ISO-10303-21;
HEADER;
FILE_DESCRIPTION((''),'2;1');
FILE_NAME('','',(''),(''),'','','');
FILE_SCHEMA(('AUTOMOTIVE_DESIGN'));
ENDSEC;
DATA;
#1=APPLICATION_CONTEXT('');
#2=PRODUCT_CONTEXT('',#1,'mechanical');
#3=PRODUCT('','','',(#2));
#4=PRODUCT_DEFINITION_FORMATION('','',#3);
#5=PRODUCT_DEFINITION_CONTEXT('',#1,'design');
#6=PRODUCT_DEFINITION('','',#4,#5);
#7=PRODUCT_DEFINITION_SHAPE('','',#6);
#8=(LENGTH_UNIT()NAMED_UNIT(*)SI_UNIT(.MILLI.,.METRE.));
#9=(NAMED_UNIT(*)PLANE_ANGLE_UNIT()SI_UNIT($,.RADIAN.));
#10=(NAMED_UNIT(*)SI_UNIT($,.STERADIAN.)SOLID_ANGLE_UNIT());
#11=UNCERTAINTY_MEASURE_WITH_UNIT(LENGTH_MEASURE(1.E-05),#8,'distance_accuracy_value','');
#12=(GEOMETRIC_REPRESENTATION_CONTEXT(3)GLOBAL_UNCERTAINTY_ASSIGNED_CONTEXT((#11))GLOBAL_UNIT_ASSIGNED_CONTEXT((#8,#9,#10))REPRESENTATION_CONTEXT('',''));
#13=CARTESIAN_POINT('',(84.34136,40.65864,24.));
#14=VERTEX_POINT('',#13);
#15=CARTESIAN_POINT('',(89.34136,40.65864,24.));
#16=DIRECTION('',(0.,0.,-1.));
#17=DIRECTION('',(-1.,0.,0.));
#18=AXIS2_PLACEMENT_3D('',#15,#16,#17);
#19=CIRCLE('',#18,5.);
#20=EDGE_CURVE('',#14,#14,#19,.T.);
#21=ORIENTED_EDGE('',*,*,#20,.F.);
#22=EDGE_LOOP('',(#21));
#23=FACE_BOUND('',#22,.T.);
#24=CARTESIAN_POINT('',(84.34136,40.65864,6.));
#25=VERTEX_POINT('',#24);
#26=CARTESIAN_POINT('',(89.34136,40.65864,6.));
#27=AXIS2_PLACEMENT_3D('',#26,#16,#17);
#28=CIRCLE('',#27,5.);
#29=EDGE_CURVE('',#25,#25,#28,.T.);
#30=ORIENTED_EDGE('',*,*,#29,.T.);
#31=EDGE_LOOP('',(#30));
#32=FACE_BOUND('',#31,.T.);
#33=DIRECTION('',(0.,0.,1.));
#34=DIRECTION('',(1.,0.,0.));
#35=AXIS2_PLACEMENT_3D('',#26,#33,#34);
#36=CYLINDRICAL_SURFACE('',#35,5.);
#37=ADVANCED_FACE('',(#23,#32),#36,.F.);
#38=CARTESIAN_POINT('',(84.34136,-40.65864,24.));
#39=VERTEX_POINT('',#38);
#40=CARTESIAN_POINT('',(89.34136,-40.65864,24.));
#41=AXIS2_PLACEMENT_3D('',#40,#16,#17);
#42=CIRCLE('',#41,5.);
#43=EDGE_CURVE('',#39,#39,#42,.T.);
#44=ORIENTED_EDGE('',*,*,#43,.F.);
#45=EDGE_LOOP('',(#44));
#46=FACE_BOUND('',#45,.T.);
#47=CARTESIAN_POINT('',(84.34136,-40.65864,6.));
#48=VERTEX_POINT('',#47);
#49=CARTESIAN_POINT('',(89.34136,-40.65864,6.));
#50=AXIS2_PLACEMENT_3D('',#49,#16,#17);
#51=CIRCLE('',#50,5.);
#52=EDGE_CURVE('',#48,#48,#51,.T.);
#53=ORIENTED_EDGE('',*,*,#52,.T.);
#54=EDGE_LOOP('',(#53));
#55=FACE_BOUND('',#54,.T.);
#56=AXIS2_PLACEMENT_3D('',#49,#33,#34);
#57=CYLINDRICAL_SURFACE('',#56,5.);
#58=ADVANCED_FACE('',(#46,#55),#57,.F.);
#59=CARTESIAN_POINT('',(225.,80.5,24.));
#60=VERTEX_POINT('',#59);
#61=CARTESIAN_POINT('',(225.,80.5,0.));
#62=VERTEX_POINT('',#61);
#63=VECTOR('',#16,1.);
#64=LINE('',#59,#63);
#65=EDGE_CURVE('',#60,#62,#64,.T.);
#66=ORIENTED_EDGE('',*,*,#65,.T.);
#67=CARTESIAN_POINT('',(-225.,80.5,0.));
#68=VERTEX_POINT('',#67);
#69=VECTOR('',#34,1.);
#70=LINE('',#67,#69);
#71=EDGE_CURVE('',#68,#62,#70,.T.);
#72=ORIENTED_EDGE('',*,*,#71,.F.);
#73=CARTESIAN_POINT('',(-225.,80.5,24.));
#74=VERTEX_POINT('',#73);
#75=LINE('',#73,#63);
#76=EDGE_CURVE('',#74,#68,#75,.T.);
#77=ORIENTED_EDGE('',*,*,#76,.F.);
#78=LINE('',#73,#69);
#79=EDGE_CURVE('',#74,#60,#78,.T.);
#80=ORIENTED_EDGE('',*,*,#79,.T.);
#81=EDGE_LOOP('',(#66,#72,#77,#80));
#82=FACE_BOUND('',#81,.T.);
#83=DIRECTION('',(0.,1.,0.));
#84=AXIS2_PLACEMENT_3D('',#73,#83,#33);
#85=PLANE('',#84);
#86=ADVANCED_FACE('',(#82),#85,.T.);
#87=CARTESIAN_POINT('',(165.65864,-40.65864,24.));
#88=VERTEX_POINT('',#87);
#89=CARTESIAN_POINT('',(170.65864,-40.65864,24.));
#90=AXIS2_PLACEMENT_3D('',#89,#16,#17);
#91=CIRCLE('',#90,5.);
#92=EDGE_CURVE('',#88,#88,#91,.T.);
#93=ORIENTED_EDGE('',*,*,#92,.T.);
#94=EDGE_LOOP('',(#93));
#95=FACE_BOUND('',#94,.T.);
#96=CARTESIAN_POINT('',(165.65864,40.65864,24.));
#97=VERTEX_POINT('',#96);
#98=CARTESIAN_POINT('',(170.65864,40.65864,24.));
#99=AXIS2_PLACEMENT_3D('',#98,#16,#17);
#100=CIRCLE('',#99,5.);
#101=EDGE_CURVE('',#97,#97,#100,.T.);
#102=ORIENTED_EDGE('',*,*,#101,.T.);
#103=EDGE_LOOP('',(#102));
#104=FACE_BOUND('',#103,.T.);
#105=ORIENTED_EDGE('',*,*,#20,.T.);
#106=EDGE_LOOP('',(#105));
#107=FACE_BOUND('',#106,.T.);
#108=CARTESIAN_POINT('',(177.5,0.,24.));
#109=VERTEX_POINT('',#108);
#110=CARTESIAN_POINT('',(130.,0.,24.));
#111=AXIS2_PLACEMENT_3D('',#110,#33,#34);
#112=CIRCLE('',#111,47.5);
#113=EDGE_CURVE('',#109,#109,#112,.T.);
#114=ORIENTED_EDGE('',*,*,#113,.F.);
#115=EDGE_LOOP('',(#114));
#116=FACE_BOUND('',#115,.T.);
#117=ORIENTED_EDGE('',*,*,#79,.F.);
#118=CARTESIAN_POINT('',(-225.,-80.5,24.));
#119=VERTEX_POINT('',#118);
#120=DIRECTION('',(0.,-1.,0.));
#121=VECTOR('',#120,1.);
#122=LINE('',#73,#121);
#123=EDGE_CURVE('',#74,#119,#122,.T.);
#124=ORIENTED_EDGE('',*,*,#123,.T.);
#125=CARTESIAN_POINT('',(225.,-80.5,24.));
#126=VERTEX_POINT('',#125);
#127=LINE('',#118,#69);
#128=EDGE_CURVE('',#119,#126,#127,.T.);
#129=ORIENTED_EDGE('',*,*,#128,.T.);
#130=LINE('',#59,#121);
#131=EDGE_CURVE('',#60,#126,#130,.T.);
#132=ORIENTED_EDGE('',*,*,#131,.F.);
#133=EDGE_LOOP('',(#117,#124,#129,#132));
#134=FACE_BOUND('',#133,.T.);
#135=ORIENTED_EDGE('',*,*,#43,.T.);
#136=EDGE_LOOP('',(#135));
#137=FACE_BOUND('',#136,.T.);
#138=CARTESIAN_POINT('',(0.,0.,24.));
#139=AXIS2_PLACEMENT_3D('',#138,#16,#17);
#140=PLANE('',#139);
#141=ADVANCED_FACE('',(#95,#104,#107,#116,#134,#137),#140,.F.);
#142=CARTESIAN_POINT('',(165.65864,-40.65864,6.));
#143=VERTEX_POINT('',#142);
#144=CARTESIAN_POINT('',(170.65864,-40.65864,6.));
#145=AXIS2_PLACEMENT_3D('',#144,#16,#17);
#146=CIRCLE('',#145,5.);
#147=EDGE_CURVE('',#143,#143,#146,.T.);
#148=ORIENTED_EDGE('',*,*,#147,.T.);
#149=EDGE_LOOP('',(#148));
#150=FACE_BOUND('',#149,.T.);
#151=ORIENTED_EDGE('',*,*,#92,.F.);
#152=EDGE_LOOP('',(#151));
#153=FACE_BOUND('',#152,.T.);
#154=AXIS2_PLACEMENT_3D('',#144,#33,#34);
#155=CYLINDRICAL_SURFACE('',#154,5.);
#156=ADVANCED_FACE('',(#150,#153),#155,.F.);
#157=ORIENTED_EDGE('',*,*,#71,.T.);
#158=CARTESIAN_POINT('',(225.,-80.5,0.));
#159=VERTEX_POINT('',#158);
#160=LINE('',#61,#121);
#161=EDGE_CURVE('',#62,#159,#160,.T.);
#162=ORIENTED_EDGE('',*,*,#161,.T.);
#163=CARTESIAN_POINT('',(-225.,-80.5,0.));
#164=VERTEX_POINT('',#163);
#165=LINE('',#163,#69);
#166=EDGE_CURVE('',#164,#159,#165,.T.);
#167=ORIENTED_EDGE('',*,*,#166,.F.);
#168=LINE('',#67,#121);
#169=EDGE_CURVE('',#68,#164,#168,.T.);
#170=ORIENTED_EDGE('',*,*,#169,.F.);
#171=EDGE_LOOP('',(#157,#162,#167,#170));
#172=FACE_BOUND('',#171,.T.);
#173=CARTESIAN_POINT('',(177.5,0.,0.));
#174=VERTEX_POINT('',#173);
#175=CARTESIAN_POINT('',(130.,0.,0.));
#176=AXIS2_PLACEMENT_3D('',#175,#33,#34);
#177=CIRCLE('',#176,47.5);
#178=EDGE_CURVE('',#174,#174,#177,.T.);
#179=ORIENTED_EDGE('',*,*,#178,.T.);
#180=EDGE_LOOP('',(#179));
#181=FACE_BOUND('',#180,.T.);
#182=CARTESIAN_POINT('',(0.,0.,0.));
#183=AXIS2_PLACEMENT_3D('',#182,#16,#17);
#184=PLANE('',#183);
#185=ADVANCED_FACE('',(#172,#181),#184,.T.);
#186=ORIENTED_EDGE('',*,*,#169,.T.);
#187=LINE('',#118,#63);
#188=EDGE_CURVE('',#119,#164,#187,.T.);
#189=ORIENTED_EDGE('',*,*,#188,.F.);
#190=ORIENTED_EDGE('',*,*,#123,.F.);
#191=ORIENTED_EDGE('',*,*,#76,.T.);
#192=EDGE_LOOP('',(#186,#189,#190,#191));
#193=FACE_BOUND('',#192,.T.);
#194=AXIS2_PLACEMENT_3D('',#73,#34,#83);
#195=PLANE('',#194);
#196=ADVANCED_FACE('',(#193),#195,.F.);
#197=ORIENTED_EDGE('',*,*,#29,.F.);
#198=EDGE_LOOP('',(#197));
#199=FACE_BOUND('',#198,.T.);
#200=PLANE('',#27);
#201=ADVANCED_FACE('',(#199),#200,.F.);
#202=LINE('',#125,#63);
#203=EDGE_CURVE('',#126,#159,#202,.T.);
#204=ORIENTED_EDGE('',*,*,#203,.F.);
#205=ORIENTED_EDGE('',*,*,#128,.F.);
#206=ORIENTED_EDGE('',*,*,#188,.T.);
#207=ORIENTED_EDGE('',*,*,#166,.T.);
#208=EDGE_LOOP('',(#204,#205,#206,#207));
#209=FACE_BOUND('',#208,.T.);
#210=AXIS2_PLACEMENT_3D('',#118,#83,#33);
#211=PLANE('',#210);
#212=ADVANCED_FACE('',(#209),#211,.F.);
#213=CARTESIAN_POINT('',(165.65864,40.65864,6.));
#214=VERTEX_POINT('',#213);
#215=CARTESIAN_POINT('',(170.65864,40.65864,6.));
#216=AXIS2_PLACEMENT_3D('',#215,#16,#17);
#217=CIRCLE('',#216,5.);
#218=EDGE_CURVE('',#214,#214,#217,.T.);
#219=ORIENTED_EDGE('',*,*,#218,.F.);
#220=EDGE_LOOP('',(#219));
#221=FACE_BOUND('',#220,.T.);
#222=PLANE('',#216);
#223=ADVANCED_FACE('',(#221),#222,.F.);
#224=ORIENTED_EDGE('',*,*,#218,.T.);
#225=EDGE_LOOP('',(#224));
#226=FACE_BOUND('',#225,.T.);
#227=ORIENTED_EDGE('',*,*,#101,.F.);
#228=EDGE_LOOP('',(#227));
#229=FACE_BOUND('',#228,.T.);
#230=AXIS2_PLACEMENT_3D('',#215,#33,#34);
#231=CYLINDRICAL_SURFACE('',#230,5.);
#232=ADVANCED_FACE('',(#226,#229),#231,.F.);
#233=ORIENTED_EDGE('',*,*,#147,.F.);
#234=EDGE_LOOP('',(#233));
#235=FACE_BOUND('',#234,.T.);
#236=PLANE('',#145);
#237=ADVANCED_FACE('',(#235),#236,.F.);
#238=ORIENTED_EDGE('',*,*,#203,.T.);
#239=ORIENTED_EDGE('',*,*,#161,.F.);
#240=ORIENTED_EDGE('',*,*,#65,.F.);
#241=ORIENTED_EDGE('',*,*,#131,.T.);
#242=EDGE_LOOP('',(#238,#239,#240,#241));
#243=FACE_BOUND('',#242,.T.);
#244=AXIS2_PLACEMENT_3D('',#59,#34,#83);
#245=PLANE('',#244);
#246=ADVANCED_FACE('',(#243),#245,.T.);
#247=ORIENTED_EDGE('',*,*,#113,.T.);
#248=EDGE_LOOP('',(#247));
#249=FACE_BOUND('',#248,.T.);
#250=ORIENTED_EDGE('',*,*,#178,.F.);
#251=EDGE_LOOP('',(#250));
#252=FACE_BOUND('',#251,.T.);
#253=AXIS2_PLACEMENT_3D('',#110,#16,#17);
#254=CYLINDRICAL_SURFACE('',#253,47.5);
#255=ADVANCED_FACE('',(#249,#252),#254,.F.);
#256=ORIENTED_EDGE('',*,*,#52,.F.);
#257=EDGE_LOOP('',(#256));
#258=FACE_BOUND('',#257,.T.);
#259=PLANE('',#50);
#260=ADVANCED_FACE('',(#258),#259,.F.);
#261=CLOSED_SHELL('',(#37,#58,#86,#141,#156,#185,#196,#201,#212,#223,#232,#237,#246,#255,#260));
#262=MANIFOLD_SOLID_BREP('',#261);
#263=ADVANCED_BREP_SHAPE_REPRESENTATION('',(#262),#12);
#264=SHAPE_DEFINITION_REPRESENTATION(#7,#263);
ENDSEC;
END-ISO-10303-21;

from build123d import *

# Parameters (mm, degrees)
SKETCH_1_W          = 450
SKETCH_1_H          = 161
SKETCH_1_R          = 47.5
EXTRUDE_1_DEPTH     = 24
CUT_EXTRUDE_START   = 24
SKETCH_1_3_R        = 5
CUT_EXTRUDE_1_DEPTH = 18


with BuildPart() as part:
    # 草图1 → 凸台-拉伸1 (new body)
    with BuildSketch(Plane.XY):
        Rectangle(SKETCH_1_W, SKETCH_1_H)
        with Locations((130, 0)):
            Circle(SKETCH_1_R, mode=Mode.SUBTRACT)
    extrude(amount=EXTRUDE_1_DEPTH)

    # 草图1<3> → 切除-拉伸1 (cut)
    with BuildSketch(Plane.XY.offset(CUT_EXTRUDE_START)):
        with Locations(Location((89.341360082, 40.658639918, 0), (0, 0, 180))):
            Circle(SKETCH_1_3_R)
        with Locations(Location((170.658639918, 40.658639918, 0), (0, 0, 180))):
            Circle(SKETCH_1_3_R)
        with Locations(Location((170.658639918, -40.658639918, 0), (0, 0, 180))):
            Circle(SKETCH_1_3_R)
        with Locations(Location((89.341360082, -40.658639918, 0), (0, 0, 180))):
            Circle(SKETCH_1_3_R)
    extrude(amount=-CUT_EXTRUDE_1_DEPTH, mode=Mode.SUBTRACT)


solid = part.part
